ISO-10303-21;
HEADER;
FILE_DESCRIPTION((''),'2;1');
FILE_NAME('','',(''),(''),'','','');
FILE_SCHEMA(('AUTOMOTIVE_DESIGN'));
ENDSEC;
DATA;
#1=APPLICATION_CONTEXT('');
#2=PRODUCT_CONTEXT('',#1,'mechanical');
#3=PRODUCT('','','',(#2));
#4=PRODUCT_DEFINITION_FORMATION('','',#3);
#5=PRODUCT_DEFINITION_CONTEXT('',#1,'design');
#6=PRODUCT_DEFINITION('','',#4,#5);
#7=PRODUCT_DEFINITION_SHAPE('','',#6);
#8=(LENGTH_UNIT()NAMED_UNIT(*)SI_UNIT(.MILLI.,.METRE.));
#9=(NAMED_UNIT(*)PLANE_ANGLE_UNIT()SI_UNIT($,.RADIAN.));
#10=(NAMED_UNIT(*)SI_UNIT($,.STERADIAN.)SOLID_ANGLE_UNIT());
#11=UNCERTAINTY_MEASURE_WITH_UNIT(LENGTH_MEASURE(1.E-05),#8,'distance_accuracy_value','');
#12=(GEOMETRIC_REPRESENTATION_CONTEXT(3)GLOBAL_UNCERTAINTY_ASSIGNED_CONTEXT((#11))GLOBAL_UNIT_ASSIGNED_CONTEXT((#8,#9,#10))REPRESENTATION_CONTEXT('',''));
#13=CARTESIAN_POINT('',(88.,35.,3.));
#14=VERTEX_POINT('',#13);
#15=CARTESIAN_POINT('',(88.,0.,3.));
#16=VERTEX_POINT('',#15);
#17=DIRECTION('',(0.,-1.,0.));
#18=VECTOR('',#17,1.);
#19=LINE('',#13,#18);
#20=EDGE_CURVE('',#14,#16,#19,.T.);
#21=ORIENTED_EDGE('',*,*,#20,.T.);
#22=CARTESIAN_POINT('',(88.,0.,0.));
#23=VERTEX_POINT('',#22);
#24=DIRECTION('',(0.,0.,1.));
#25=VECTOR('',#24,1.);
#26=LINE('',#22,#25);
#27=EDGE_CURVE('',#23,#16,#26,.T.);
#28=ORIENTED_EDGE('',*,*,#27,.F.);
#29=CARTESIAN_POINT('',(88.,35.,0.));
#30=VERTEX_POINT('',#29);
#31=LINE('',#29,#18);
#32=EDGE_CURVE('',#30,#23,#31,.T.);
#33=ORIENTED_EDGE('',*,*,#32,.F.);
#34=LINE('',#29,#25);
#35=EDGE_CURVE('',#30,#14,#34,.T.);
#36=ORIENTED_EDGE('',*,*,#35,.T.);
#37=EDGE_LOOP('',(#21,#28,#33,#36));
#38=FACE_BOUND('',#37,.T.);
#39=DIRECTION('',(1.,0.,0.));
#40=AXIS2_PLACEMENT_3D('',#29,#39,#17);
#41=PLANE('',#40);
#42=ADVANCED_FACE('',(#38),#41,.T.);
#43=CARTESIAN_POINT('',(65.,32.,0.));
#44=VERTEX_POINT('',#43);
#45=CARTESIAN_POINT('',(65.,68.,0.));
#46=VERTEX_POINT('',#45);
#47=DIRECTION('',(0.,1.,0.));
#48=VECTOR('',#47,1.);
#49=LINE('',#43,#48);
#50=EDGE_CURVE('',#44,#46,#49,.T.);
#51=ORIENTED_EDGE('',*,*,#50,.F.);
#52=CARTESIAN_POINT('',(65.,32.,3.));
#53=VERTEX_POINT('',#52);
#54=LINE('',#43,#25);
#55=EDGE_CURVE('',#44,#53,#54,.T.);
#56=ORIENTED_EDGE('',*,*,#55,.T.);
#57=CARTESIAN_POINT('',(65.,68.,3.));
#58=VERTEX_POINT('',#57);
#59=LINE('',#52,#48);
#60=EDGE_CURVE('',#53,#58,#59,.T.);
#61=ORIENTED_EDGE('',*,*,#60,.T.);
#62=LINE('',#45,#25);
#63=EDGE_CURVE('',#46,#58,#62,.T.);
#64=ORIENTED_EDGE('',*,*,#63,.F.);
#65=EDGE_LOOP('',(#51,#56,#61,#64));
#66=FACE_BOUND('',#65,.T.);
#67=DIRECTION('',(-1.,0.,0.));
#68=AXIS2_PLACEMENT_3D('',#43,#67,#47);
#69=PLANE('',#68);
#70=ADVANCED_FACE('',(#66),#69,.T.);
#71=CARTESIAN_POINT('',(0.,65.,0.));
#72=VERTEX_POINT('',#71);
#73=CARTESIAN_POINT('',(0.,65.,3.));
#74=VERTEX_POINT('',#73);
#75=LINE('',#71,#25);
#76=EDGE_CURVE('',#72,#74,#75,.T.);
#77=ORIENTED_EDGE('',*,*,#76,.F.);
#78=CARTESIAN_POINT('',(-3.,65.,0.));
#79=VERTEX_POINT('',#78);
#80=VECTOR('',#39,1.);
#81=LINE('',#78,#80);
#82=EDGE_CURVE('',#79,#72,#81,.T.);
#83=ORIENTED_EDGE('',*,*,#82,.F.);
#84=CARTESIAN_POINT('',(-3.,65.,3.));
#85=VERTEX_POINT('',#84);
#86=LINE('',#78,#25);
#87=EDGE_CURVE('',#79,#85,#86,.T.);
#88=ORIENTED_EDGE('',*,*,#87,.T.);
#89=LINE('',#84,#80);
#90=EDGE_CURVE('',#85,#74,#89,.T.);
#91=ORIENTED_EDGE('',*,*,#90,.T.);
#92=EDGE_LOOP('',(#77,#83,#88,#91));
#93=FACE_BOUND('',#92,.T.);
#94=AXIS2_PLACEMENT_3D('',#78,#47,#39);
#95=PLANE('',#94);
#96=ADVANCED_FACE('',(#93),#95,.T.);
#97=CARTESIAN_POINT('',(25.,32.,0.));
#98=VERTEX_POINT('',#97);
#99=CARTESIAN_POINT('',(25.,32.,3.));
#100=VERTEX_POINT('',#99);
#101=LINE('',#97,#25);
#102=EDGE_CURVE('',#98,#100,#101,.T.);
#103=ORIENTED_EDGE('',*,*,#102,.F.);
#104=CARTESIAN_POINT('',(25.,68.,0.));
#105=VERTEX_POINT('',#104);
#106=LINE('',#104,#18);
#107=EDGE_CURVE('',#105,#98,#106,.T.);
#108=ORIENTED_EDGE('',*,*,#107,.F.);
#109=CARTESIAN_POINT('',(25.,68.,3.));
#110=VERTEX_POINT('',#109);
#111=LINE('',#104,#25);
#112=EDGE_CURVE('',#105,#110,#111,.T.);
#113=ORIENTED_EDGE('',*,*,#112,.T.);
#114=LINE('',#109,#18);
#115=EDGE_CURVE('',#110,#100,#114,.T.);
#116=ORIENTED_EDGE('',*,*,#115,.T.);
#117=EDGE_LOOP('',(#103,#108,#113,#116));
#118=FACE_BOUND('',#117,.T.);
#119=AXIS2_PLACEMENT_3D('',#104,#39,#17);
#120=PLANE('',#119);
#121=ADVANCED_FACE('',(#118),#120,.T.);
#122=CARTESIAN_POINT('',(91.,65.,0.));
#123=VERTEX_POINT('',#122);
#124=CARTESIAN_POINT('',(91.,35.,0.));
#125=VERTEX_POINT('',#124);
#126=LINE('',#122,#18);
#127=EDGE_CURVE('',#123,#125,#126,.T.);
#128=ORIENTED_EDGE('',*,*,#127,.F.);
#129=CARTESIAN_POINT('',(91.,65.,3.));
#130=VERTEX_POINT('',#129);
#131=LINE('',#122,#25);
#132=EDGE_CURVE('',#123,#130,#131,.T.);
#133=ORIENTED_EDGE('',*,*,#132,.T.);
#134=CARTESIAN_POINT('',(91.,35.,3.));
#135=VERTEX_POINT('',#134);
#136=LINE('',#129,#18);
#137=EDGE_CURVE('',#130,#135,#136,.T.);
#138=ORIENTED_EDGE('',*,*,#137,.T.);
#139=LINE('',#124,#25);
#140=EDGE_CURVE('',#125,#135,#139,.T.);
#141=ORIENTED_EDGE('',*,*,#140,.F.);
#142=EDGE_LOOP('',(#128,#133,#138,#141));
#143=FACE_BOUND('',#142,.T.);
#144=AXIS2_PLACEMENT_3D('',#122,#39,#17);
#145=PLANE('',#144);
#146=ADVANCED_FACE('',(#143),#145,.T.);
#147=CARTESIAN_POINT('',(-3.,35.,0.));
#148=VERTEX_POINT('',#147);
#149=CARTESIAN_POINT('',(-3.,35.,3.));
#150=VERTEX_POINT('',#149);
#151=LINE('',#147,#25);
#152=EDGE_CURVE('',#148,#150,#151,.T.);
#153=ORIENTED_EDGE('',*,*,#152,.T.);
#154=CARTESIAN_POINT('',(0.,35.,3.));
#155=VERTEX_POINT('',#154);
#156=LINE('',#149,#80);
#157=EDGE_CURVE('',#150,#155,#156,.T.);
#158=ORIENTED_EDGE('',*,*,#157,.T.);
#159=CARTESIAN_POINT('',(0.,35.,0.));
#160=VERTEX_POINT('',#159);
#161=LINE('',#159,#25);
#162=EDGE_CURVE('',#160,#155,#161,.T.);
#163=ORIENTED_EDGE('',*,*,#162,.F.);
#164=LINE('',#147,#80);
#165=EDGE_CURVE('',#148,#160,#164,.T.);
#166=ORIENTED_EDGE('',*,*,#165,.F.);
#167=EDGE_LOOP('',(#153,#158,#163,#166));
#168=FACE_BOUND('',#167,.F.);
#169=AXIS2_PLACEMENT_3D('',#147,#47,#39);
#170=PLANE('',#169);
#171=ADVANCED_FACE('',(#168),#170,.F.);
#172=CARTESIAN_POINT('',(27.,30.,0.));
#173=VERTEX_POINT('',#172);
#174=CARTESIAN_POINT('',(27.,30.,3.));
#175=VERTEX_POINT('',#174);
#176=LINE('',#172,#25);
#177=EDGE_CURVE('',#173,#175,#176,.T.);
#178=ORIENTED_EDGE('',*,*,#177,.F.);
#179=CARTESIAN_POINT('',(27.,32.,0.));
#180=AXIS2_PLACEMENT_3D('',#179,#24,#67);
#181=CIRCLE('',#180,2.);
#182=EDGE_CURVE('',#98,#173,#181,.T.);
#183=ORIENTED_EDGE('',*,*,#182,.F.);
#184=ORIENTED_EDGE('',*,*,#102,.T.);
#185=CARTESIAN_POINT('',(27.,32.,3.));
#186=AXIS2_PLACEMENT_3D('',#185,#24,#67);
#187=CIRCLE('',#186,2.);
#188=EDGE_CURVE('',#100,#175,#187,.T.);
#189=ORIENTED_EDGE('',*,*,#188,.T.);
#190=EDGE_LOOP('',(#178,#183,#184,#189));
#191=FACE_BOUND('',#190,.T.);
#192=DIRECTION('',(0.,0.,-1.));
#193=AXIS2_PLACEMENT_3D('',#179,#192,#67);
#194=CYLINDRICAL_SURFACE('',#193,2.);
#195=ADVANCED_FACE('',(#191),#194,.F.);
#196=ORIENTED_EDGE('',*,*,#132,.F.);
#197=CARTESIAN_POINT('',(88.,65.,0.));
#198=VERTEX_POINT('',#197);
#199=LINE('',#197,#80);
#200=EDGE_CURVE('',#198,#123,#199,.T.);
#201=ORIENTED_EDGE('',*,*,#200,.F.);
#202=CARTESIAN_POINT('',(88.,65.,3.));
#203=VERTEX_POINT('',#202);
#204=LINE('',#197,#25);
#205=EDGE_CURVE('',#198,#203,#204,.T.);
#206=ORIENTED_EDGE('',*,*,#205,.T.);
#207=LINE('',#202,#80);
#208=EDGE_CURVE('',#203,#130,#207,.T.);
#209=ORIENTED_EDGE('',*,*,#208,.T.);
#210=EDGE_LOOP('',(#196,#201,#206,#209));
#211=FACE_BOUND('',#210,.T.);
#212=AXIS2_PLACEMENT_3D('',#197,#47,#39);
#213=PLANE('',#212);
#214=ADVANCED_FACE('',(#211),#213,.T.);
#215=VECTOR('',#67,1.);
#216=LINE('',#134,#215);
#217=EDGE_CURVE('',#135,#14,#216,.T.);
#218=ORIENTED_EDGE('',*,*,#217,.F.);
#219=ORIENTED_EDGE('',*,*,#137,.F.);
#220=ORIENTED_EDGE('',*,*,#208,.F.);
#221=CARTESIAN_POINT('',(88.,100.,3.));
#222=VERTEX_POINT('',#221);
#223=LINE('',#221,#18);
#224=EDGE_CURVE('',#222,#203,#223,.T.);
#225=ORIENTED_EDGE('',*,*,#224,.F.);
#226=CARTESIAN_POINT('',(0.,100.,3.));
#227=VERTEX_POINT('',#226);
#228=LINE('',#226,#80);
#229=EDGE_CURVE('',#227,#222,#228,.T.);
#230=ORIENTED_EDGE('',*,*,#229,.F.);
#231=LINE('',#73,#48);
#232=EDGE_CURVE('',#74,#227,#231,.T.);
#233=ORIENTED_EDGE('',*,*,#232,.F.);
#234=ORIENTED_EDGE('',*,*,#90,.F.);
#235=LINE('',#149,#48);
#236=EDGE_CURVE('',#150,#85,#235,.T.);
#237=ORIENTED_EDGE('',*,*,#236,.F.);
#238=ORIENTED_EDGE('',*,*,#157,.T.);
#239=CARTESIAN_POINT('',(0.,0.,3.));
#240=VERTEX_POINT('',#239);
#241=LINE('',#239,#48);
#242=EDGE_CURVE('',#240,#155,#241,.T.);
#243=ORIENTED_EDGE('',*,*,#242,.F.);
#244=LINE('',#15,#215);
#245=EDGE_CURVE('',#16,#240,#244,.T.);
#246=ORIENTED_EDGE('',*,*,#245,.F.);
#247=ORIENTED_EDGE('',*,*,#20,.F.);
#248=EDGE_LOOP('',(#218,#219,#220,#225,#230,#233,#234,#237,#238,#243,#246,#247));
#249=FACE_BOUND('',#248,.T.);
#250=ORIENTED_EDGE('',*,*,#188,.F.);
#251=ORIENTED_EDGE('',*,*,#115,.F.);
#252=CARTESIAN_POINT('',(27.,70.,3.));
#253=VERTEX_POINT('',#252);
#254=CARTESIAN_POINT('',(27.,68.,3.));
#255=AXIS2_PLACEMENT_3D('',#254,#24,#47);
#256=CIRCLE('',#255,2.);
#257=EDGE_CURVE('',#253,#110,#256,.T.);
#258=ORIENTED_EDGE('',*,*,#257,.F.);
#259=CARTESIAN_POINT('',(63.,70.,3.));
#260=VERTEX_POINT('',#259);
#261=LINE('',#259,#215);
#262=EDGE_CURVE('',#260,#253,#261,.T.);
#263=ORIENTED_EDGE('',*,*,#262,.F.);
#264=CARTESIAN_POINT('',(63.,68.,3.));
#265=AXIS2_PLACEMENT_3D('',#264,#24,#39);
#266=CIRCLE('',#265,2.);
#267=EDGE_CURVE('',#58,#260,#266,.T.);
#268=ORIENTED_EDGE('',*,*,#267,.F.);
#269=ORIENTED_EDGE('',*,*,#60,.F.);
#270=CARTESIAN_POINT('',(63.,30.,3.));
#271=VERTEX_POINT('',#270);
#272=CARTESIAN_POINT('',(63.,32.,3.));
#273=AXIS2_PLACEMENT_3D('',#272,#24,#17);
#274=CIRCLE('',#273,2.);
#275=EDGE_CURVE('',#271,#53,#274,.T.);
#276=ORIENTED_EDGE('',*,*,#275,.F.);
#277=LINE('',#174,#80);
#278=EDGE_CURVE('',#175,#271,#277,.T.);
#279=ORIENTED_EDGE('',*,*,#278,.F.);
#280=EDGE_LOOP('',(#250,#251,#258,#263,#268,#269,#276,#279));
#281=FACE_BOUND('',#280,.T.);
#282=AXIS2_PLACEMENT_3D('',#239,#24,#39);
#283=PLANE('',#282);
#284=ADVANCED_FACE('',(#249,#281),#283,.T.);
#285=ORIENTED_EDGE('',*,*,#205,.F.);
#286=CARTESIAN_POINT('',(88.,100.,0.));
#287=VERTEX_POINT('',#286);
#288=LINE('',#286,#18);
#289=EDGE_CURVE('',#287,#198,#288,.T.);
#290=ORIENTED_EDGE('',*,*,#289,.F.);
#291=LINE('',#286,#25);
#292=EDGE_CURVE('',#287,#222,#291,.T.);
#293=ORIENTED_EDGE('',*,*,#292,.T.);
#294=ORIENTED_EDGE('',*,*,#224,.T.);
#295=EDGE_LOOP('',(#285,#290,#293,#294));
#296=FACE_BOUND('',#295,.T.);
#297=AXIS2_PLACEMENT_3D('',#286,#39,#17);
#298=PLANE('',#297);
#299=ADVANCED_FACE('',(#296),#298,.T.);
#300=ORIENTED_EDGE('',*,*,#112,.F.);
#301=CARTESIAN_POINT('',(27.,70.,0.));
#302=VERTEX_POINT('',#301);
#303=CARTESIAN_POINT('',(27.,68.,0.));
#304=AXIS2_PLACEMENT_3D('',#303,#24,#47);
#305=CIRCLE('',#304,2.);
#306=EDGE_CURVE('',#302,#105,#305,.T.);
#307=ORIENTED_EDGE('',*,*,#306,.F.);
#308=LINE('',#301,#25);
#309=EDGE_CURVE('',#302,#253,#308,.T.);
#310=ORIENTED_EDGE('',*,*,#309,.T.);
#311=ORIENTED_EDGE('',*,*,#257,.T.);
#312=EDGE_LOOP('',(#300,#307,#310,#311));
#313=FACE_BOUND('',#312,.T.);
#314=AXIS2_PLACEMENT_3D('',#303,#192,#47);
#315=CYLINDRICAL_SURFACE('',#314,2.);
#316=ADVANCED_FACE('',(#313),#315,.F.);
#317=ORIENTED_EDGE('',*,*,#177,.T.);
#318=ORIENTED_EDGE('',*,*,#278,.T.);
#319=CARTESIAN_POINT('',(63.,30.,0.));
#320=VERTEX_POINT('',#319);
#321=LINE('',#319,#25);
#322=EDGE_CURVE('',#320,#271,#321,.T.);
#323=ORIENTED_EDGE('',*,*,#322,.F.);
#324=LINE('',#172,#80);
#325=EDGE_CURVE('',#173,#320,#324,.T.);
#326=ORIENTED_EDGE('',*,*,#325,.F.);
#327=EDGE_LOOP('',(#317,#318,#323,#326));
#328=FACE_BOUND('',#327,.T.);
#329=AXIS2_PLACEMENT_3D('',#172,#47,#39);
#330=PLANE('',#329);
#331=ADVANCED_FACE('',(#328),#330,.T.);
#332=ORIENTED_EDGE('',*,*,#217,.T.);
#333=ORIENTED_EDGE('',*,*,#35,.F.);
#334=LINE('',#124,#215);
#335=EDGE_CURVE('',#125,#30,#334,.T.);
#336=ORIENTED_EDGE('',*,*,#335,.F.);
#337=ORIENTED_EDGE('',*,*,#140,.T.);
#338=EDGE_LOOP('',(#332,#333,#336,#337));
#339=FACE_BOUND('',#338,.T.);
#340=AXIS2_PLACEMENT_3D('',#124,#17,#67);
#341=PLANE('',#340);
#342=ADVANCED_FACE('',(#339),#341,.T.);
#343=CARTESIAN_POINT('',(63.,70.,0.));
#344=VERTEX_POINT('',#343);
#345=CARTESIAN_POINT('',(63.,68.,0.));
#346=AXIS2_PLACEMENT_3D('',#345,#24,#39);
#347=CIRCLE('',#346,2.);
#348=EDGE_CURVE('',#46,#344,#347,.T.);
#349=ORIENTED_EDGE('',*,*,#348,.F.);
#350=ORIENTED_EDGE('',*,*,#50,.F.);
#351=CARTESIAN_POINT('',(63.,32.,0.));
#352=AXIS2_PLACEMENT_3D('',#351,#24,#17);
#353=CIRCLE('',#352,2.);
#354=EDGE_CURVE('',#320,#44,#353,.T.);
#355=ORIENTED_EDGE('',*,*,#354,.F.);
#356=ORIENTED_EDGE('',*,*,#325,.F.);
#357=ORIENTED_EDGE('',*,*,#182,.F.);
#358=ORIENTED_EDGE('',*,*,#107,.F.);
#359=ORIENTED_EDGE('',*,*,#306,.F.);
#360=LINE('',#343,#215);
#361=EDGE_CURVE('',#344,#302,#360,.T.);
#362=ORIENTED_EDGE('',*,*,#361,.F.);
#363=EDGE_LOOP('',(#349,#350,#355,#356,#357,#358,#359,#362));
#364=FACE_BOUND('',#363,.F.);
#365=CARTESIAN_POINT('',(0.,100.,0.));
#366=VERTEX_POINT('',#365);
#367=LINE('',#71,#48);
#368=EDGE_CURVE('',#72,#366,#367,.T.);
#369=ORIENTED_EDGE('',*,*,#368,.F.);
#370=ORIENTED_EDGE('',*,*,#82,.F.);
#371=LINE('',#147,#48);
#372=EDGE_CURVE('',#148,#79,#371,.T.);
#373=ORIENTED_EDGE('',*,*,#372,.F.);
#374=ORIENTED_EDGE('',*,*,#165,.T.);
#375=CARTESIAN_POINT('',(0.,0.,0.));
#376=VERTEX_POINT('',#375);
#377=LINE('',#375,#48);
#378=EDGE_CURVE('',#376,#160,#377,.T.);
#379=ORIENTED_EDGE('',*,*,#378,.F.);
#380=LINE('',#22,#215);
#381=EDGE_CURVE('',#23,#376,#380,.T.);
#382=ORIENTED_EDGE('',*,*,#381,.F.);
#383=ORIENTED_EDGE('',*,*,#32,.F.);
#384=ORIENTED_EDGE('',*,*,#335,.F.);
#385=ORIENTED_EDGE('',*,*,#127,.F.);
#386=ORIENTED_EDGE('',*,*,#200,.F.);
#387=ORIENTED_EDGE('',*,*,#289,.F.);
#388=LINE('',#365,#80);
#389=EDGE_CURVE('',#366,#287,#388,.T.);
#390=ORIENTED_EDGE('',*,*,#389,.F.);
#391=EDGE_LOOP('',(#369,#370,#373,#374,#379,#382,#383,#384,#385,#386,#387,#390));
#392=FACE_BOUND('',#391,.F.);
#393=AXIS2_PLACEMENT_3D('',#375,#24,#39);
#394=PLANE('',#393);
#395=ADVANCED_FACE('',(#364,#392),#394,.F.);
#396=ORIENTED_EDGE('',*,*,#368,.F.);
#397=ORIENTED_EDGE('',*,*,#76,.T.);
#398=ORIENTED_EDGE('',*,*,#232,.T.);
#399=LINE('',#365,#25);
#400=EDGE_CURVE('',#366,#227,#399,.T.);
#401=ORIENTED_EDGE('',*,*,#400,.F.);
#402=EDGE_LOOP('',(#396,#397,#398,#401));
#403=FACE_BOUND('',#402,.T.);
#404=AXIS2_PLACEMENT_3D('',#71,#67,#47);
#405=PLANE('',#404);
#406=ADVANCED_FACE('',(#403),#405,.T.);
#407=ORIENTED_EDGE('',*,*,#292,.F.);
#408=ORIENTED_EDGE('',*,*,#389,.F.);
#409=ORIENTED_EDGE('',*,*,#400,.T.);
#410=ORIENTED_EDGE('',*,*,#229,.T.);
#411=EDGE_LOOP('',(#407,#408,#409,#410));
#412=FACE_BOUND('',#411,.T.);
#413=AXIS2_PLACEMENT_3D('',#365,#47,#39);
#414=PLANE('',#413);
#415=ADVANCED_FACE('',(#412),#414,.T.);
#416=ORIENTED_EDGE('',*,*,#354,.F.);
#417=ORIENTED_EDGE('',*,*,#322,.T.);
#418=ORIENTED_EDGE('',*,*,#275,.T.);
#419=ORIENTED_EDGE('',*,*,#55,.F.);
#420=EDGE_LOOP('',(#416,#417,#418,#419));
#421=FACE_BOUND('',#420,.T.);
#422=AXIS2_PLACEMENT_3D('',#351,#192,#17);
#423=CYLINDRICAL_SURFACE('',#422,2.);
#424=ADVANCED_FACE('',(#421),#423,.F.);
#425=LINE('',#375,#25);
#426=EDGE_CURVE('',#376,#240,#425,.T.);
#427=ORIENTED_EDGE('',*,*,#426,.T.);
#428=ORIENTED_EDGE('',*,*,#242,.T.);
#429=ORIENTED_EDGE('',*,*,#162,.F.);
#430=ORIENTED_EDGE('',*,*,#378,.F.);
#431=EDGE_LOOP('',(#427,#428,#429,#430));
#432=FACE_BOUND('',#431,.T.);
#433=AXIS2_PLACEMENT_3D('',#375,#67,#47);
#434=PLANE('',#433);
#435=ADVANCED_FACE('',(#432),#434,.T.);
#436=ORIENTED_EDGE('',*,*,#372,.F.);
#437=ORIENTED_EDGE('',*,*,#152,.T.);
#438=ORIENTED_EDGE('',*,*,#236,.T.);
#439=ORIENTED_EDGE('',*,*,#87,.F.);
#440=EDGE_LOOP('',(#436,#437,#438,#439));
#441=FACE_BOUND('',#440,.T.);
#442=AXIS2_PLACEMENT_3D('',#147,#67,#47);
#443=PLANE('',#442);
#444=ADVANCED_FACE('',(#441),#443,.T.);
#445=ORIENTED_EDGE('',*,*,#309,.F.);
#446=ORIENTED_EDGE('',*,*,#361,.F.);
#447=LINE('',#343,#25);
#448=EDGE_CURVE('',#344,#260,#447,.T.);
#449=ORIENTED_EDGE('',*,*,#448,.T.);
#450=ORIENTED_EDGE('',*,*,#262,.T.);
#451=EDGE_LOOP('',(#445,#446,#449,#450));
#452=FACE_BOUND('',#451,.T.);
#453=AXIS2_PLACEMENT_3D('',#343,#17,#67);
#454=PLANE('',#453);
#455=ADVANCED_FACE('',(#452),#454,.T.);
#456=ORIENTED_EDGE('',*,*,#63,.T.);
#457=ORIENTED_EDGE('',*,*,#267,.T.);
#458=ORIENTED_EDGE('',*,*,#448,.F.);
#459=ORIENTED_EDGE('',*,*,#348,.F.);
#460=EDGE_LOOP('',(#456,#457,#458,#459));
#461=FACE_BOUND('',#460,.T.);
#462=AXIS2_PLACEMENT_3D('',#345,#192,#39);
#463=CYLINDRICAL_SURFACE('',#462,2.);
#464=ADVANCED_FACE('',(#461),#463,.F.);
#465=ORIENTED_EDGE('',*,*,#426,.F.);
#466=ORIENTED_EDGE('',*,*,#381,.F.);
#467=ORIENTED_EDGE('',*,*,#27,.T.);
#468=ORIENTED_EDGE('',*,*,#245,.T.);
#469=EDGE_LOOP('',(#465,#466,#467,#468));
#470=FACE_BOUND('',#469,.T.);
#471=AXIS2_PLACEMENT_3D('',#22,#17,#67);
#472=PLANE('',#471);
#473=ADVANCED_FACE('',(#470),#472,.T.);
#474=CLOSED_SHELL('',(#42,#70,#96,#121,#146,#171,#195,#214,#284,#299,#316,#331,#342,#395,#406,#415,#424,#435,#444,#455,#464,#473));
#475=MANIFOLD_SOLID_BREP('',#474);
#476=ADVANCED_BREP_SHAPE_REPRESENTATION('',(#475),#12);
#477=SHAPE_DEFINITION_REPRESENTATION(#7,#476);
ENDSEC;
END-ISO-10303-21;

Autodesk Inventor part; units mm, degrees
ref_plane "YZ Plane" through (0, 0, 0) normal (1, 0, 0) x (0, 1, 0)
ref_plane "XZ Plane" through (0, 0, 0) normal (0, 1, 0) x (-1, 0, 0)
ref_plane "XY Plane" through (0, 0, 0) normal (0, 0, 1) x (1, 0, 0)
sketch "Sketch1" plane through (0, 0, 0) normal (0, 0, 1) x (1, 0, 0)
  line L0 (-3, 35) -> (0, 35)
  line L1 (-3, 35) -> (-3, 65)
  line L2 (-3, 65) -> (0, 65)
  line L3 (0, 65) -> (0, 100)
  line L4 (0, 100) -> (88, 100)
  line L5 (88, 100) -> (88, 65)
  line L6 (88, 65) -> (91, 65)
  line L7 (91, 65) -> (91, 35)
  line L8 (91, 35) -> (88, 35)
  line L9 (88, 35) -> (88, 0)
  line L10 (88, 0) -> (0, 0)
  line L11 (0, 0) -> (0, 35)
  line L12 (63, 70) -> (27, 70)
  line L13 (25, 68) -> (25, 32)
  line L14 (27, 30) -> (63, 30)
  line L15 (65, 32) -> (65, 68)
  arc A0 (65, 68) -> (63, 70) centre (63, 68) ccw
  arc A1 (63, 30) -> (65, 32) centre (63, 32) ccw
  arc A2 (25, 32) -> (27, 30) centre (27, 32) ccw
  arc A3 (27, 70) -> (25, 68) centre (27, 68) ccw
  point P0 (25, 30)
  point P1 (25, 70)
  point P2 (65, 30)
  dimension "d0" = 3
  dimension "d10" = 30
  dimension "d21" = 35
  dimension "d22" = 100
  dimension "d30" = 88
  dimension "d32" = 3
  dimension "d40" = 40
  dimension "d41" = 40
  dimension "d42" = 2
  dimension "d43" = 30
  dimension "d44" = 25
extrude "Extrusión3" add sketch "Sketch1" along normal blind 3
